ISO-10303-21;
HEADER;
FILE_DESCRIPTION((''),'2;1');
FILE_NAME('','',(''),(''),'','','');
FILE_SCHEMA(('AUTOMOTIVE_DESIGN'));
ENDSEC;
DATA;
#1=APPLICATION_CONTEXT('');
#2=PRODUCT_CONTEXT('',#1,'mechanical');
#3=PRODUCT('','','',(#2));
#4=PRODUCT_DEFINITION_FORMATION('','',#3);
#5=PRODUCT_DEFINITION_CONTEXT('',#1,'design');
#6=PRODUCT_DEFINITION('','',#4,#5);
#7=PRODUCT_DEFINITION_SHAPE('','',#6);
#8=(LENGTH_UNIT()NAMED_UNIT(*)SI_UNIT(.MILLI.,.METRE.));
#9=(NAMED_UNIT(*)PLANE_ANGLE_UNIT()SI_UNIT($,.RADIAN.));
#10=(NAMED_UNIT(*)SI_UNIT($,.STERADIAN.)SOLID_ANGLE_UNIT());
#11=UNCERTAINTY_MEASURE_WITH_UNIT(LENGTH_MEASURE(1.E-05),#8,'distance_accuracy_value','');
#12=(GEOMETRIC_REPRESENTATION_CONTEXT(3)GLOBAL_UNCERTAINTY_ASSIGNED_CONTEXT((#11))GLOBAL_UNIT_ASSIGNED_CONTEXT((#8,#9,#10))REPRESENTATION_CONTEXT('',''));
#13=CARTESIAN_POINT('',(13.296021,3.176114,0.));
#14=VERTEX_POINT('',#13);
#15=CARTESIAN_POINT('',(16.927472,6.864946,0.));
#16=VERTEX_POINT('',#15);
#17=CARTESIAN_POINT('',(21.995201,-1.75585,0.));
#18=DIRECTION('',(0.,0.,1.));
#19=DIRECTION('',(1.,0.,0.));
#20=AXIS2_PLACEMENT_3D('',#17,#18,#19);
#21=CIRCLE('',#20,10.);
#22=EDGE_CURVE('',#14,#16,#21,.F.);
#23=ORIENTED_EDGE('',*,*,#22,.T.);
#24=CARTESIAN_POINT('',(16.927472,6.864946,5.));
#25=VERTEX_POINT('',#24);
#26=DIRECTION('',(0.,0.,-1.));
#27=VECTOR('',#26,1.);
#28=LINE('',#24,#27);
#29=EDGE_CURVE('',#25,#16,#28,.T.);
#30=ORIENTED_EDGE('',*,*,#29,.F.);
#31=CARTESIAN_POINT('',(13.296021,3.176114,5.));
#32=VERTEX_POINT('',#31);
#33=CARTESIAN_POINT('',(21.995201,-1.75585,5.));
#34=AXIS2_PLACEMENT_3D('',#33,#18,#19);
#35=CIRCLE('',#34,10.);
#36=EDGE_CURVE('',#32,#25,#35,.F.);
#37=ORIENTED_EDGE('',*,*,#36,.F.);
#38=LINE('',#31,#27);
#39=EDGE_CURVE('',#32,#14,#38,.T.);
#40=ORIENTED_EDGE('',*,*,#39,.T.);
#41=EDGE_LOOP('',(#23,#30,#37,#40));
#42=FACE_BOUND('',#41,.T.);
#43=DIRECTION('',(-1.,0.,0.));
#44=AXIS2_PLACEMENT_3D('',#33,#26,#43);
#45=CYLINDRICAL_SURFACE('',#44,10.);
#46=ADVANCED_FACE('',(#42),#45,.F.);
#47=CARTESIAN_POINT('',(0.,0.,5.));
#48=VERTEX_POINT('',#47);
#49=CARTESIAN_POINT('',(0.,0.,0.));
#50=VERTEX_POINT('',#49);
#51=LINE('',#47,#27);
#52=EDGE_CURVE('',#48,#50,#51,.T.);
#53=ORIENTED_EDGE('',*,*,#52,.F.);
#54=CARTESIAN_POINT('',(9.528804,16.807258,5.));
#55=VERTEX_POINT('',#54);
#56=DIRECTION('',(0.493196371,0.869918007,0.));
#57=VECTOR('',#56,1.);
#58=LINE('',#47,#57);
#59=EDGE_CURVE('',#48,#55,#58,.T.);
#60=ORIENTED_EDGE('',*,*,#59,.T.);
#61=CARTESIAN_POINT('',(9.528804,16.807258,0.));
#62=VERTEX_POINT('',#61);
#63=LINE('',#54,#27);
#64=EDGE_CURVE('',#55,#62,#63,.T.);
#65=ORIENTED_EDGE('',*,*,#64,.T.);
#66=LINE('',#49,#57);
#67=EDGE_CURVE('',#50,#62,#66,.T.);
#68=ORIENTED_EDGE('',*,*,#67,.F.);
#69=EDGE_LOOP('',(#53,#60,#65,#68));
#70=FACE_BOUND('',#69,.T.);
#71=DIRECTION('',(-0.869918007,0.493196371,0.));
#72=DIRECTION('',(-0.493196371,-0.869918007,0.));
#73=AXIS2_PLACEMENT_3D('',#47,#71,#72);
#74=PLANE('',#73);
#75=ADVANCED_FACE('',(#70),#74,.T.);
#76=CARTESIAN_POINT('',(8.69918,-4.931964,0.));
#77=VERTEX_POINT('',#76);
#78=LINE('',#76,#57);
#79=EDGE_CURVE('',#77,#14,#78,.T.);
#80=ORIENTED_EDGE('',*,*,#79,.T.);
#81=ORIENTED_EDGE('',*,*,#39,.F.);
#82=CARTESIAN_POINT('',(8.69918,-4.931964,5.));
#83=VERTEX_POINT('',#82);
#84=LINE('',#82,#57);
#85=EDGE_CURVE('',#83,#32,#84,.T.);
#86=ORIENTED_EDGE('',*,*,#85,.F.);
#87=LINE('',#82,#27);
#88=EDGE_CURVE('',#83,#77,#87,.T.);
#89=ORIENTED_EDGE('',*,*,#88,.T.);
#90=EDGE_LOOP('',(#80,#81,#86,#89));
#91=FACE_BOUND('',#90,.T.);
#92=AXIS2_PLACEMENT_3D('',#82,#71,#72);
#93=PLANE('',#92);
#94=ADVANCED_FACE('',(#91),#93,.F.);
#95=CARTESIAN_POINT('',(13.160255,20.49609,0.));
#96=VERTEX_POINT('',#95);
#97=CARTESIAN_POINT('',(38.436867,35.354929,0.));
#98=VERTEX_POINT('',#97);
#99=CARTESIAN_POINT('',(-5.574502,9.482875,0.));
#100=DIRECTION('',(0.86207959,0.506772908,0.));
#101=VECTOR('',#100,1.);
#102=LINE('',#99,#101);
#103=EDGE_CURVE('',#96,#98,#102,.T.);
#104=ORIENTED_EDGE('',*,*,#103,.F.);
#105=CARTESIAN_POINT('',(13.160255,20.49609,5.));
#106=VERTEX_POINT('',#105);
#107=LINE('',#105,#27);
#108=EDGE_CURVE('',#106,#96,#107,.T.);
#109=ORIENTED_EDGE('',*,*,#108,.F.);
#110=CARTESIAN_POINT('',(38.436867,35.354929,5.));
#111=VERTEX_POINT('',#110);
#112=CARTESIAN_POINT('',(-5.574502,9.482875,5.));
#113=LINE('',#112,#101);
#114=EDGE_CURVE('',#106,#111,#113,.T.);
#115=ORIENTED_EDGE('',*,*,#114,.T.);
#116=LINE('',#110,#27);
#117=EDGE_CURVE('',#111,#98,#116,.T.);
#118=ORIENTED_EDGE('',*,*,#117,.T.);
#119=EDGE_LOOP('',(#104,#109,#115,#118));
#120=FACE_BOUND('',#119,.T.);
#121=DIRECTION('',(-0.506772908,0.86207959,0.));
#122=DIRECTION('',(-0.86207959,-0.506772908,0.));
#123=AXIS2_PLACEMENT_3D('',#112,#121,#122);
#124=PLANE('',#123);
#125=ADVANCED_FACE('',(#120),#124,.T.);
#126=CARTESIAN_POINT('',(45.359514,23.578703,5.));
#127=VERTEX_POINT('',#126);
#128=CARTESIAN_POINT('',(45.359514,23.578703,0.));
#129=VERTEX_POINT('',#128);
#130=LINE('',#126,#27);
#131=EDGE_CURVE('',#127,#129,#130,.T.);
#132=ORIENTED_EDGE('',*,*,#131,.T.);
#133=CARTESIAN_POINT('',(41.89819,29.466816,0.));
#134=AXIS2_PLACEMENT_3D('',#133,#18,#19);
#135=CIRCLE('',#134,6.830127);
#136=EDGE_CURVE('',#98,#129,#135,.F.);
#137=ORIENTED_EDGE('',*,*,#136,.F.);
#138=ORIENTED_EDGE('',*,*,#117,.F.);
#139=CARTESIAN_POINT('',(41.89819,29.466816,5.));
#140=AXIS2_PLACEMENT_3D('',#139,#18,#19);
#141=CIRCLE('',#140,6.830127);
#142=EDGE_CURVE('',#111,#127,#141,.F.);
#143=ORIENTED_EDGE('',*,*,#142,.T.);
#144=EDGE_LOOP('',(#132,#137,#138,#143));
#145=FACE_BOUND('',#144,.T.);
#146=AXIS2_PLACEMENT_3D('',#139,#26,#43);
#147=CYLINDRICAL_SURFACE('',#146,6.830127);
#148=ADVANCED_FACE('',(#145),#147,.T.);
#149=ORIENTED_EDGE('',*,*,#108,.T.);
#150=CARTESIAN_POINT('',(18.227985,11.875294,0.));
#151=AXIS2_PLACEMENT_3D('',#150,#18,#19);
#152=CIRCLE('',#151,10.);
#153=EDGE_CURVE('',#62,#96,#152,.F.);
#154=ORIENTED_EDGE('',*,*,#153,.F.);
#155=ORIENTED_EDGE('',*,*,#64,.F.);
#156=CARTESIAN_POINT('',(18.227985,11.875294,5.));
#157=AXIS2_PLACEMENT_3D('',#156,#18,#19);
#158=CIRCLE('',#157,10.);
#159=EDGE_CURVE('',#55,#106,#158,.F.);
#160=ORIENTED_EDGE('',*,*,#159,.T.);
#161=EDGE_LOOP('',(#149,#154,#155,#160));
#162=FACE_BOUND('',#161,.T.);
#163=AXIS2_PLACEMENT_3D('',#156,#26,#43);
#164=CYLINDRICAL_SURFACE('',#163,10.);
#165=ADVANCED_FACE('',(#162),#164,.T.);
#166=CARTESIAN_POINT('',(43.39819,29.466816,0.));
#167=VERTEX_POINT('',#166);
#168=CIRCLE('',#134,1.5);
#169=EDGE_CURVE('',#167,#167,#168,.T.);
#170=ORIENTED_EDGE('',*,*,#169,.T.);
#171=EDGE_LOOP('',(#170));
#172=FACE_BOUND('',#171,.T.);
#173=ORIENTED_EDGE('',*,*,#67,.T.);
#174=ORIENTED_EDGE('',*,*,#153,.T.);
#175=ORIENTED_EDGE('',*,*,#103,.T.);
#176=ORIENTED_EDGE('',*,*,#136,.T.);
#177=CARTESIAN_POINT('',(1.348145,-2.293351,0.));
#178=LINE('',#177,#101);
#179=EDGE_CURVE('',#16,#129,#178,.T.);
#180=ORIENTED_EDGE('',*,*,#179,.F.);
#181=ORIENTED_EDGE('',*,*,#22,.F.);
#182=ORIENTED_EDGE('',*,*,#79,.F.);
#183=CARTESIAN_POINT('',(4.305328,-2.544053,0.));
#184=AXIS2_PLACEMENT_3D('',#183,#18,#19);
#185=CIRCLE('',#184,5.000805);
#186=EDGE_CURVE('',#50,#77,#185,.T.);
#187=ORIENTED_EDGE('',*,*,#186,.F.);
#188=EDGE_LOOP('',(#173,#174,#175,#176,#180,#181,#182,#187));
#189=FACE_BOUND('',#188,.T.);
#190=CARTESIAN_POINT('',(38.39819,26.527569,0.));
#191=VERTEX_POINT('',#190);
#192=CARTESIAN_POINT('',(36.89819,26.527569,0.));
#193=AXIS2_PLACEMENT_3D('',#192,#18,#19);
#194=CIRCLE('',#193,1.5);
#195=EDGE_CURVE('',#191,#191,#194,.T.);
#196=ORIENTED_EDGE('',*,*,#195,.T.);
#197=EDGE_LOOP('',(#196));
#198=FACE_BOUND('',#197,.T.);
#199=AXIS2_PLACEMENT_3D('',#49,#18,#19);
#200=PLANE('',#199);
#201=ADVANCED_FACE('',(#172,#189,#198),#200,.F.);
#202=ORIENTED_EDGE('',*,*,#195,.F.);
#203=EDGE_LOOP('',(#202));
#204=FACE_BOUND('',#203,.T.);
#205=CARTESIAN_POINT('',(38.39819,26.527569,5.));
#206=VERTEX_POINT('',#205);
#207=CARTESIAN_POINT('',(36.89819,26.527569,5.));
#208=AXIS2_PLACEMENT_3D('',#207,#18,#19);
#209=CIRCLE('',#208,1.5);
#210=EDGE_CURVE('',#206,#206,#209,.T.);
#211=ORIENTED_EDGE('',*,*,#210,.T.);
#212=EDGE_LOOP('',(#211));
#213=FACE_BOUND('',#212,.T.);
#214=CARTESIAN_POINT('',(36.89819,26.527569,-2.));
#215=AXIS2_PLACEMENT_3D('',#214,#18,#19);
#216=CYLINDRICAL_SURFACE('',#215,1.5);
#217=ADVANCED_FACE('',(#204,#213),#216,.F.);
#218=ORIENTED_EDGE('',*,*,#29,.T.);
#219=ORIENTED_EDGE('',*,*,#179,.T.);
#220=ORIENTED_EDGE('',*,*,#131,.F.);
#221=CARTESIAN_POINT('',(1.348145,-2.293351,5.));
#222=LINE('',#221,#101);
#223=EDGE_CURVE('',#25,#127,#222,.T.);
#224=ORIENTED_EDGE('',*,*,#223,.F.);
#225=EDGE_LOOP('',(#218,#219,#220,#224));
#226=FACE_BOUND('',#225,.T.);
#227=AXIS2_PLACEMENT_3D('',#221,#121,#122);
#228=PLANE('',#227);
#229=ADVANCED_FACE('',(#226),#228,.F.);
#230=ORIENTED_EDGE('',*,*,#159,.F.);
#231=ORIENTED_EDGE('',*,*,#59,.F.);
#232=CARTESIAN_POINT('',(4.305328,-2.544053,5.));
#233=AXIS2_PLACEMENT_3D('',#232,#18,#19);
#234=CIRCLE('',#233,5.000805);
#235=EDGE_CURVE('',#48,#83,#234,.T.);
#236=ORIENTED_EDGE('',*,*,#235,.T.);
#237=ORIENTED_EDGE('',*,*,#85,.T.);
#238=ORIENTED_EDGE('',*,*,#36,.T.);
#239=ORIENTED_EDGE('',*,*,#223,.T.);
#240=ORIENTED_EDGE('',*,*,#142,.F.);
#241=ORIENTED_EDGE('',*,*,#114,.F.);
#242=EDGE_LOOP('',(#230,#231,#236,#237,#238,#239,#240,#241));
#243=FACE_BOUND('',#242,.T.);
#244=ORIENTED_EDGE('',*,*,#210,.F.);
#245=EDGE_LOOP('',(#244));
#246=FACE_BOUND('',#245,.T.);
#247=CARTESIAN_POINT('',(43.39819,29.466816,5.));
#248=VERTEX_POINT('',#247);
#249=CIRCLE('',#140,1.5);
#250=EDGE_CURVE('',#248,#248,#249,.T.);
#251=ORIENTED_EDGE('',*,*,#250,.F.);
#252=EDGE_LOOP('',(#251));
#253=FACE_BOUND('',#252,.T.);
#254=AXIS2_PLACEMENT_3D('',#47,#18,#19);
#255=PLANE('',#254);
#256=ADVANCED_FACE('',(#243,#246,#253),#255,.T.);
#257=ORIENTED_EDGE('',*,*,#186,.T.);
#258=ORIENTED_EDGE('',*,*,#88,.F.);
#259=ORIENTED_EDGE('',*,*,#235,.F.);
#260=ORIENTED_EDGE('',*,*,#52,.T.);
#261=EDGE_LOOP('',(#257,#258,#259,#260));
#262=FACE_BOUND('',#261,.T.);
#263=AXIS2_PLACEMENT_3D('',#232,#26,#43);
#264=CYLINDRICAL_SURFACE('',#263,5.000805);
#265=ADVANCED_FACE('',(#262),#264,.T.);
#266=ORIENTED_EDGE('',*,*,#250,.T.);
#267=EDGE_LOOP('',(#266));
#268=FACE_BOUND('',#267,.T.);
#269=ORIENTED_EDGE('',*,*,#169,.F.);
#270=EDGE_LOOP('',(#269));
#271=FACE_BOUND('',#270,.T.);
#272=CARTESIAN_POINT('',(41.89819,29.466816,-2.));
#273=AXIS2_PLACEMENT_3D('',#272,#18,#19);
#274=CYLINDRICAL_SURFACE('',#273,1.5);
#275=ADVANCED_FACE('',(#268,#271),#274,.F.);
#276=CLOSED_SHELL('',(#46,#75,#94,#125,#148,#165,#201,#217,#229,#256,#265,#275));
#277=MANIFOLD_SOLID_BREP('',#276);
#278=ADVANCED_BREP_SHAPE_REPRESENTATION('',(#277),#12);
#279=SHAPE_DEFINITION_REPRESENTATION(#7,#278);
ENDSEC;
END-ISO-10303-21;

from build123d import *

# Parameters (mm, degrees)
BOSS_EXTRUDE1_DEPTH = 5
SKETCH4_R           = 1.5
CUT_EXTRUDE1_DEPTH  = 7


with BuildPart() as part:
    # Sketch3 → Boss-Extrude1 (new body)
    with BuildSketch(Plane.XY):
        with BuildLine():
            Line((0, 0), (9.528804476, 16.807257883))
            ThreePointArc((9.528804476, 16.807257883), (11.101707988, 18.890718774), (13.160255471, 20.496090072))
            Line((13.160255471, 20.496090072), (38.436867059, 35.354929207))
            ThreePointArc((38.436867059, 35.354929207), (47.786303491, 32.928139434), (45.359513719, 23.578703003))
            Line((45.359513719, 23.578703003), (16.927471829, 6.864946286))
            ThreePointArc((16.927471829, 6.864946286), (14.868924346, 5.259574989), (13.296020834, 3.176114098))
            Line((13.296020834, 3.176114098), (8.699180072, -4.931963714))
            ThreePointArc((8.699180072, -4.931963714), (1.838948591, -6.894344126), (0, 0))
        make_face()
    extrude(amount=BOSS_EXTRUDE1_DEPTH)

    # Sketch4 → Cut-Extrude1 (cut)
    with BuildSketch(Plane.XY.offset(5)):
        with Locations((41.898190389, 29.466816105)):
            Circle(SKETCH4_R)
        with Locations((36.898190389, 26.527569465)):
            Circle(SKETCH4_R)
    extrude(amount=-CUT_EXTRUDE1_DEPTH, mode=Mode.SUBTRACT)


solid = part.part
